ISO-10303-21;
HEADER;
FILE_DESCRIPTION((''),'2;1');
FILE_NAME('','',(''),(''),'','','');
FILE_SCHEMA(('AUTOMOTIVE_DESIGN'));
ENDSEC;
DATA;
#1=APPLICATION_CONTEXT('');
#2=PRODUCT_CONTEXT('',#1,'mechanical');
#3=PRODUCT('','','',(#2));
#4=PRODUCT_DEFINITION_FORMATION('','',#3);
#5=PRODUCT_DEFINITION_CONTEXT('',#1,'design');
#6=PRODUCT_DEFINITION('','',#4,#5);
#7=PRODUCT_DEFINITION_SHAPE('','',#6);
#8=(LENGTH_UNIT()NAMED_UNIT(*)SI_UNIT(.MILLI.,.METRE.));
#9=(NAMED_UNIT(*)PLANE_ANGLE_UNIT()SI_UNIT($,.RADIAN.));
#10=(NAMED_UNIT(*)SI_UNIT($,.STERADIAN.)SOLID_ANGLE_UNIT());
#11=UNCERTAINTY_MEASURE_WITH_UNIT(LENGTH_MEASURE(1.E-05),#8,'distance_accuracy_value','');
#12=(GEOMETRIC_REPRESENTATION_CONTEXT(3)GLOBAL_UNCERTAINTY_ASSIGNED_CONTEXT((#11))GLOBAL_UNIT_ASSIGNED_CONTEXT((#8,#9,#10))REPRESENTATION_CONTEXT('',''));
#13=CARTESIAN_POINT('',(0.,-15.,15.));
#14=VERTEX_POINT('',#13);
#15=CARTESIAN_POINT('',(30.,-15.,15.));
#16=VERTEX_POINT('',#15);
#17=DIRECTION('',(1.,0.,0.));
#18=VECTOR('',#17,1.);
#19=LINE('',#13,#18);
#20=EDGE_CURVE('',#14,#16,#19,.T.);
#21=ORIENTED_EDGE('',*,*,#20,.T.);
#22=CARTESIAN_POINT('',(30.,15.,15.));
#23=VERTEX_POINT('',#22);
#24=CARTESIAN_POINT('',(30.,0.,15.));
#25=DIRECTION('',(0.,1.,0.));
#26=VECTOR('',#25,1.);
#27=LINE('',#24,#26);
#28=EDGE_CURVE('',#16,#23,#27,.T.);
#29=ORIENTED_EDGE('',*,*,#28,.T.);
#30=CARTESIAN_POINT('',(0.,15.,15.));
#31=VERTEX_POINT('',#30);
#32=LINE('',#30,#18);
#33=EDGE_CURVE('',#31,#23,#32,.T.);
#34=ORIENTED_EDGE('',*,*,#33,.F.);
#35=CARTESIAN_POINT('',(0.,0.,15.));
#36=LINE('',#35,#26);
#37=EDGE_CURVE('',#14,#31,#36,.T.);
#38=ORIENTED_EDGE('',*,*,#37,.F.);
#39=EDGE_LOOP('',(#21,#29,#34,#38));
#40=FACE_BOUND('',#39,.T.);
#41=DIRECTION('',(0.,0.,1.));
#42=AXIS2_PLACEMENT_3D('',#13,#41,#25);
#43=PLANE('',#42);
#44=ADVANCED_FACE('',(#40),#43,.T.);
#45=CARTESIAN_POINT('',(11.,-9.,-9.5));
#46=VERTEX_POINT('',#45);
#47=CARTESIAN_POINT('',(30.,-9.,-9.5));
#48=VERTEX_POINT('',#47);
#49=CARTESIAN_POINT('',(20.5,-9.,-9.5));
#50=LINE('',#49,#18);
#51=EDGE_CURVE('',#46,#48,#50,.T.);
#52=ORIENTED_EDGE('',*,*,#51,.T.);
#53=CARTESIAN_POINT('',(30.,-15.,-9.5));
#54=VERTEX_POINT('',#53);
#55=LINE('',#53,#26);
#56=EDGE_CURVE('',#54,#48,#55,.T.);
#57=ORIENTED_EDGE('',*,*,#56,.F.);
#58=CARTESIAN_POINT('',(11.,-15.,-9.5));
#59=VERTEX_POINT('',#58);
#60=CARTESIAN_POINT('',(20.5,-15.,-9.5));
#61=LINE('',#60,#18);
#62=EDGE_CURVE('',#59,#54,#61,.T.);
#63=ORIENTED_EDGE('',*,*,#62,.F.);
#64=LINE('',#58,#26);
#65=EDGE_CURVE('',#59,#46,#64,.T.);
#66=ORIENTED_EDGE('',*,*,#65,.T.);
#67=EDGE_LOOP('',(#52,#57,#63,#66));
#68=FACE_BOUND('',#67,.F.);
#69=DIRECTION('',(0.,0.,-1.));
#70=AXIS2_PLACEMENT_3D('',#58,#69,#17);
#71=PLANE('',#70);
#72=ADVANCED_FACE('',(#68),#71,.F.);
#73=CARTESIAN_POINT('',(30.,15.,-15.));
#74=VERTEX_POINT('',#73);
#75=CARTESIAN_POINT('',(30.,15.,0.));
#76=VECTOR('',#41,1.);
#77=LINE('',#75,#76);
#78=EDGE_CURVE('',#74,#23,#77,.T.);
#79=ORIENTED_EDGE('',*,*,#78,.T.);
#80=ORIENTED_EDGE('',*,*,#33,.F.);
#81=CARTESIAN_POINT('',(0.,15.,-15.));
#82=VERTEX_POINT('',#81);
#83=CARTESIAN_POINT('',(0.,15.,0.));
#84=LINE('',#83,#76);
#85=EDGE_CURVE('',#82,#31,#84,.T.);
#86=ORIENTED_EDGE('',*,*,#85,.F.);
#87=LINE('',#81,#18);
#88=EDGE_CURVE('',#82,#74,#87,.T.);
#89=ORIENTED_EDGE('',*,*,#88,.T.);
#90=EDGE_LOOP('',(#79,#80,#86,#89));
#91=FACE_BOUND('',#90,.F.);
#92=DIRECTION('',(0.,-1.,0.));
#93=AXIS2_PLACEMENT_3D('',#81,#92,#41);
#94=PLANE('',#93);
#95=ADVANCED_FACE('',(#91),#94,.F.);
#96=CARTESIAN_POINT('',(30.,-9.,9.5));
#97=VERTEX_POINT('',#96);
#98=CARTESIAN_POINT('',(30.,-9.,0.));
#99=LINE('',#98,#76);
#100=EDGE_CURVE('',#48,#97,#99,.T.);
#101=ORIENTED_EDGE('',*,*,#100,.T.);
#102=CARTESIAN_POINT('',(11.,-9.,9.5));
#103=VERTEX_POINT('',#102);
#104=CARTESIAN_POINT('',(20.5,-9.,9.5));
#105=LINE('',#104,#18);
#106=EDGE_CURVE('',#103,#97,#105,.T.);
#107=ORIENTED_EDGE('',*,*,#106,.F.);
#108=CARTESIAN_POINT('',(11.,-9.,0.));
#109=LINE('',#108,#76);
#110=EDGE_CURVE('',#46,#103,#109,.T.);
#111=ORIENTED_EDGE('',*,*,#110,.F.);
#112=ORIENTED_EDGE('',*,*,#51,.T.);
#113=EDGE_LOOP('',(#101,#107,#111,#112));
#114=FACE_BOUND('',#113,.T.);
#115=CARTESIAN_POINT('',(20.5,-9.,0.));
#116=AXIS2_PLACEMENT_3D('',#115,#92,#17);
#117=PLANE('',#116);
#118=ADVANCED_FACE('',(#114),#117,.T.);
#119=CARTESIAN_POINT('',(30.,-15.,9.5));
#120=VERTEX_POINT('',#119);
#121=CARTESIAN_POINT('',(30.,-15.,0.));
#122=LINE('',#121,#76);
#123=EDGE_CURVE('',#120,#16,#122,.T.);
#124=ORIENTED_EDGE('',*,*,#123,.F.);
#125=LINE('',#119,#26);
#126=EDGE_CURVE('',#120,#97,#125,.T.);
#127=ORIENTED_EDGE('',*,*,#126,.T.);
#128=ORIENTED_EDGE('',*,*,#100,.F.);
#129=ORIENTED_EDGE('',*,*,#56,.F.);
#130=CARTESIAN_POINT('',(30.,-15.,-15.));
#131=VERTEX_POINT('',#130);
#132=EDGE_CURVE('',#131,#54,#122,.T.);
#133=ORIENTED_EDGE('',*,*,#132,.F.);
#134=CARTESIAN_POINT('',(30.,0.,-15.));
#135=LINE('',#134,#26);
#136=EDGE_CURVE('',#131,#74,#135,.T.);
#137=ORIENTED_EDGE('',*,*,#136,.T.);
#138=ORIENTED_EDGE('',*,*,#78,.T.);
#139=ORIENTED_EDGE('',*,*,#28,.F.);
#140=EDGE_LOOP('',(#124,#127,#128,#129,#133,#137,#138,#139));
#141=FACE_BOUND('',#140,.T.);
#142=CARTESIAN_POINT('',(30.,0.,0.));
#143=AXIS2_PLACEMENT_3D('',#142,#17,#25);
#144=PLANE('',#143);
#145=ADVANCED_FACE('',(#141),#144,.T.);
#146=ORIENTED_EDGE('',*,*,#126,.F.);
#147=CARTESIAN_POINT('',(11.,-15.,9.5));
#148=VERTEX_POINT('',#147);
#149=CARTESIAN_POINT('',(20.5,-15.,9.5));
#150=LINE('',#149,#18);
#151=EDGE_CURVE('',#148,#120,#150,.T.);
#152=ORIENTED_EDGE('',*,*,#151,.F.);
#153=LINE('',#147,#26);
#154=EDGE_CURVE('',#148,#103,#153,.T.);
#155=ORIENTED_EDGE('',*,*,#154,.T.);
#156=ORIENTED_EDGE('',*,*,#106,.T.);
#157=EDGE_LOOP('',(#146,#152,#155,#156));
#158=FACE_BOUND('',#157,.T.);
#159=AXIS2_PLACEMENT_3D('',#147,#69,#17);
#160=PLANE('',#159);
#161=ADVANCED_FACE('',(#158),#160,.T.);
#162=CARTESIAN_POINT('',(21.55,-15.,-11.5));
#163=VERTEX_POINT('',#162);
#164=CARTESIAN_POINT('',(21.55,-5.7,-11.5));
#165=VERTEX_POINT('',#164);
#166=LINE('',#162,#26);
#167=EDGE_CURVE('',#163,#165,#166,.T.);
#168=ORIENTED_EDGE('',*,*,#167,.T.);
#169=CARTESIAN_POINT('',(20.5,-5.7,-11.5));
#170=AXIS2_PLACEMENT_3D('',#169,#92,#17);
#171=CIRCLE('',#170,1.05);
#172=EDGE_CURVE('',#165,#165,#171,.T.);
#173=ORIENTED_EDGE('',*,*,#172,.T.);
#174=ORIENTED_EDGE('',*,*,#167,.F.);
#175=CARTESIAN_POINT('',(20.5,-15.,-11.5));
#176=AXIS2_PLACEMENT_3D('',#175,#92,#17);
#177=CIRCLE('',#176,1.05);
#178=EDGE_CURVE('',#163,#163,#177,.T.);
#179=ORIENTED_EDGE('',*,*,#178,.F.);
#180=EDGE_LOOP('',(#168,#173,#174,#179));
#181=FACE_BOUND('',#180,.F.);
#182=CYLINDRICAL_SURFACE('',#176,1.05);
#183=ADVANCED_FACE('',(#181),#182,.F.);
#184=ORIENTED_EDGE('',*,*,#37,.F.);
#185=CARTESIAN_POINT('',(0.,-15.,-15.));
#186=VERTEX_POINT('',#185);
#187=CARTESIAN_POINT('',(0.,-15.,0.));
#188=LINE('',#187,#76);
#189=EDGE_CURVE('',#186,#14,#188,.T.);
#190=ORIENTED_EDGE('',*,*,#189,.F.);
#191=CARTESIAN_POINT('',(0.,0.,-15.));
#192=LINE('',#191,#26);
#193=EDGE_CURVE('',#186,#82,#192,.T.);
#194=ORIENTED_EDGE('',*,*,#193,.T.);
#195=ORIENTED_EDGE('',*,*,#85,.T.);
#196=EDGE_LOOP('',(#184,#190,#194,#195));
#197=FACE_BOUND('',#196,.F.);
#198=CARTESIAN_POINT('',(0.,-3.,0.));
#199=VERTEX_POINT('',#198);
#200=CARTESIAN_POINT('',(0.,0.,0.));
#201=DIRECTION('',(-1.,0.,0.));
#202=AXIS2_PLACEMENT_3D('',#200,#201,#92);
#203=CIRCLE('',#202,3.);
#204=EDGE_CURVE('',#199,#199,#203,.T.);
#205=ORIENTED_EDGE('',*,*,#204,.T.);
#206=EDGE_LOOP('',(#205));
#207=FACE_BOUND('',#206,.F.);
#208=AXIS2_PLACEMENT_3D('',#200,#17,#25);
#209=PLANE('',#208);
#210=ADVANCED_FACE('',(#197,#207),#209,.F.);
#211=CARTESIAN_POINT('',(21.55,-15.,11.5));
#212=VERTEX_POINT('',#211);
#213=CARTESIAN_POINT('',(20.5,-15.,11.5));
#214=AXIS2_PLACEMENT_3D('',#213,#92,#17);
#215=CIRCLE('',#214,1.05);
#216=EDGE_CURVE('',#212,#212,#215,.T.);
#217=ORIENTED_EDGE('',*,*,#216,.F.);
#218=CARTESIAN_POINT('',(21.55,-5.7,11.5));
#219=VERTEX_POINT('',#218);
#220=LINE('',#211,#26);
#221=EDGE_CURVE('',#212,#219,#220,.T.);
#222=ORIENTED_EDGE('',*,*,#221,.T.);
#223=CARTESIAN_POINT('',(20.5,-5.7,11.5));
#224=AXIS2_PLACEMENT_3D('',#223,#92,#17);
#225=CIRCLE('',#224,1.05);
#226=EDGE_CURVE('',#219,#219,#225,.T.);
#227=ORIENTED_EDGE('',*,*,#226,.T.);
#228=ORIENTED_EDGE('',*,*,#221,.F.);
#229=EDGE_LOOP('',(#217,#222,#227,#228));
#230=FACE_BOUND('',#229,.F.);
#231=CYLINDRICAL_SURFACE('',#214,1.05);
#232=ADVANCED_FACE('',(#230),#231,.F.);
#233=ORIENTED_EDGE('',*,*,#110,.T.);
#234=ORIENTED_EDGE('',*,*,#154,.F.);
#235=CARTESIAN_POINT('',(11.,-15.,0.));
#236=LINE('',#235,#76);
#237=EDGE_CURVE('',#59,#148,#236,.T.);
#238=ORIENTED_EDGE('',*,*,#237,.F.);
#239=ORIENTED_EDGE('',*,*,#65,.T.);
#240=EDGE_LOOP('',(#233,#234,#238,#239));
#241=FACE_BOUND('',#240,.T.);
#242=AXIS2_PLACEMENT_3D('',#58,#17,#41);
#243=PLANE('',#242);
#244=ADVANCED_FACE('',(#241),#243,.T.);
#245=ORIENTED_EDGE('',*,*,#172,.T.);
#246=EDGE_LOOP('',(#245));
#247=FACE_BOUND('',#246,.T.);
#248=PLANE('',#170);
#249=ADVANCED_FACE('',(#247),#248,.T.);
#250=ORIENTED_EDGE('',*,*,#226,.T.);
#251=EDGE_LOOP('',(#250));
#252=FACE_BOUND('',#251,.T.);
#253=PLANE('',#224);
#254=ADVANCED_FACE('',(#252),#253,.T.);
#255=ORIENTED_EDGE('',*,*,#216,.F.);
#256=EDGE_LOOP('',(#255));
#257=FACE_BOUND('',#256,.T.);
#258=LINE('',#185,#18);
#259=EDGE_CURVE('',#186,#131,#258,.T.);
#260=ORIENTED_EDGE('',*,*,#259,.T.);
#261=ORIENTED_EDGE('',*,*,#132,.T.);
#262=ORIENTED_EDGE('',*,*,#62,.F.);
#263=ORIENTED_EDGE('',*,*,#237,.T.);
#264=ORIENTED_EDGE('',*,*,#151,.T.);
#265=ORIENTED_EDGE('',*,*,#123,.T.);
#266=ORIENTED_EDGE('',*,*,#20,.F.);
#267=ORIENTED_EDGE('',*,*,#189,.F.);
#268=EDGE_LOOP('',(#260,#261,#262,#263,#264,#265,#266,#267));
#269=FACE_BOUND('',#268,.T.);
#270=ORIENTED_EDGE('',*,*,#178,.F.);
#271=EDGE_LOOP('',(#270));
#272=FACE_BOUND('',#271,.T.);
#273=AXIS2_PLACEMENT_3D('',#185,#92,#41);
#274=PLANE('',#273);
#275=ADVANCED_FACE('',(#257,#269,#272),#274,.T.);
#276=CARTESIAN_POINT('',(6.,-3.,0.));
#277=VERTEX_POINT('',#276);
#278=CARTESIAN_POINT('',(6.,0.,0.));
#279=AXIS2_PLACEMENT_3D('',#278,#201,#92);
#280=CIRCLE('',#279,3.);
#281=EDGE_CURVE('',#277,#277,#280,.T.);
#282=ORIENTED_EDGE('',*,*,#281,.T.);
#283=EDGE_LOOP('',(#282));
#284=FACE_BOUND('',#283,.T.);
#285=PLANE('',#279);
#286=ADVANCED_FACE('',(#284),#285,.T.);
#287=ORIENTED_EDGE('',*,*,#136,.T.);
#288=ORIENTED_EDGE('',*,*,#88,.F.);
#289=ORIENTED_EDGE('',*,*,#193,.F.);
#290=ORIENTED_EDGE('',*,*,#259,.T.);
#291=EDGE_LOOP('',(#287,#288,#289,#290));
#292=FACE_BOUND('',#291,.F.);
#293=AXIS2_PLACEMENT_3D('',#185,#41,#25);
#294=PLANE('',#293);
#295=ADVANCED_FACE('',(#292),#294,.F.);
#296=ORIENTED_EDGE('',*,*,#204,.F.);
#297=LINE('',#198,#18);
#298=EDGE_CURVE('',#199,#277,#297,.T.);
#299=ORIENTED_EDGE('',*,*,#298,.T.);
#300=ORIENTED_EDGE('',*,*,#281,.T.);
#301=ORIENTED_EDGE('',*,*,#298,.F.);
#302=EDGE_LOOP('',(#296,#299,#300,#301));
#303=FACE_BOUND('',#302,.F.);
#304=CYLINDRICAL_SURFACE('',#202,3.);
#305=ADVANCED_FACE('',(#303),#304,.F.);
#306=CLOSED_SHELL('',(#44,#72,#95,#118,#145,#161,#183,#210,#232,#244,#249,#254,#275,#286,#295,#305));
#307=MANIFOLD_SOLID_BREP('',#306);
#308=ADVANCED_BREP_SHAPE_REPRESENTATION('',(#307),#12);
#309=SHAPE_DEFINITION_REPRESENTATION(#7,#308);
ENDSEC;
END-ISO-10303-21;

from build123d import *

# Parameters (mm, degrees)
F0_W     = 30
F0_H     = 30
F1_DEPTH = 30
F2_R     = 3
F3_DEPTH = 6
F4_W     = 19
F4_H     = 19
F5_DEPTH = 6
F6_R     = 1.05
F7_DEPTH = 9.3


with BuildPart() as f1:
    # F0 (on Right) → F1 (new body)
    with BuildSketch(Plane.YZ):
        Rectangle(F0_W, F0_H)
    extrude(amount=F1_DEPTH)

    # F2 (on face) → F3 (cut)
    with BuildSketch(Plane(origin=(0, 0, 0), x_dir=(0, -1, 0), z_dir=(-1, 0, 0))):
        Circle(F2_R)
    extrude(amount=-F3_DEPTH, mode=Mode.SUBTRACT)

    # F4 (on face) → F5 (cut)
    with BuildSketch(Plane.XZ.offset(15)):
        with Locations((20.5, 0)):
            Rectangle(F4_W, F4_H)
    extrude(amount=-F5_DEPTH, mode=Mode.SUBTRACT)

    # F6 (on face) → F7 (cut)
    with BuildSketch(Plane.XZ.offset(15)):
        with Locations((20.5, 11.5)):
            Circle(F6_R)
        with Locations((20.5, -11.5)):
            Circle(F6_R)
    extrude(amount=-F7_DEPTH, mode=Mode.SUBTRACT)


solid = f1.part
